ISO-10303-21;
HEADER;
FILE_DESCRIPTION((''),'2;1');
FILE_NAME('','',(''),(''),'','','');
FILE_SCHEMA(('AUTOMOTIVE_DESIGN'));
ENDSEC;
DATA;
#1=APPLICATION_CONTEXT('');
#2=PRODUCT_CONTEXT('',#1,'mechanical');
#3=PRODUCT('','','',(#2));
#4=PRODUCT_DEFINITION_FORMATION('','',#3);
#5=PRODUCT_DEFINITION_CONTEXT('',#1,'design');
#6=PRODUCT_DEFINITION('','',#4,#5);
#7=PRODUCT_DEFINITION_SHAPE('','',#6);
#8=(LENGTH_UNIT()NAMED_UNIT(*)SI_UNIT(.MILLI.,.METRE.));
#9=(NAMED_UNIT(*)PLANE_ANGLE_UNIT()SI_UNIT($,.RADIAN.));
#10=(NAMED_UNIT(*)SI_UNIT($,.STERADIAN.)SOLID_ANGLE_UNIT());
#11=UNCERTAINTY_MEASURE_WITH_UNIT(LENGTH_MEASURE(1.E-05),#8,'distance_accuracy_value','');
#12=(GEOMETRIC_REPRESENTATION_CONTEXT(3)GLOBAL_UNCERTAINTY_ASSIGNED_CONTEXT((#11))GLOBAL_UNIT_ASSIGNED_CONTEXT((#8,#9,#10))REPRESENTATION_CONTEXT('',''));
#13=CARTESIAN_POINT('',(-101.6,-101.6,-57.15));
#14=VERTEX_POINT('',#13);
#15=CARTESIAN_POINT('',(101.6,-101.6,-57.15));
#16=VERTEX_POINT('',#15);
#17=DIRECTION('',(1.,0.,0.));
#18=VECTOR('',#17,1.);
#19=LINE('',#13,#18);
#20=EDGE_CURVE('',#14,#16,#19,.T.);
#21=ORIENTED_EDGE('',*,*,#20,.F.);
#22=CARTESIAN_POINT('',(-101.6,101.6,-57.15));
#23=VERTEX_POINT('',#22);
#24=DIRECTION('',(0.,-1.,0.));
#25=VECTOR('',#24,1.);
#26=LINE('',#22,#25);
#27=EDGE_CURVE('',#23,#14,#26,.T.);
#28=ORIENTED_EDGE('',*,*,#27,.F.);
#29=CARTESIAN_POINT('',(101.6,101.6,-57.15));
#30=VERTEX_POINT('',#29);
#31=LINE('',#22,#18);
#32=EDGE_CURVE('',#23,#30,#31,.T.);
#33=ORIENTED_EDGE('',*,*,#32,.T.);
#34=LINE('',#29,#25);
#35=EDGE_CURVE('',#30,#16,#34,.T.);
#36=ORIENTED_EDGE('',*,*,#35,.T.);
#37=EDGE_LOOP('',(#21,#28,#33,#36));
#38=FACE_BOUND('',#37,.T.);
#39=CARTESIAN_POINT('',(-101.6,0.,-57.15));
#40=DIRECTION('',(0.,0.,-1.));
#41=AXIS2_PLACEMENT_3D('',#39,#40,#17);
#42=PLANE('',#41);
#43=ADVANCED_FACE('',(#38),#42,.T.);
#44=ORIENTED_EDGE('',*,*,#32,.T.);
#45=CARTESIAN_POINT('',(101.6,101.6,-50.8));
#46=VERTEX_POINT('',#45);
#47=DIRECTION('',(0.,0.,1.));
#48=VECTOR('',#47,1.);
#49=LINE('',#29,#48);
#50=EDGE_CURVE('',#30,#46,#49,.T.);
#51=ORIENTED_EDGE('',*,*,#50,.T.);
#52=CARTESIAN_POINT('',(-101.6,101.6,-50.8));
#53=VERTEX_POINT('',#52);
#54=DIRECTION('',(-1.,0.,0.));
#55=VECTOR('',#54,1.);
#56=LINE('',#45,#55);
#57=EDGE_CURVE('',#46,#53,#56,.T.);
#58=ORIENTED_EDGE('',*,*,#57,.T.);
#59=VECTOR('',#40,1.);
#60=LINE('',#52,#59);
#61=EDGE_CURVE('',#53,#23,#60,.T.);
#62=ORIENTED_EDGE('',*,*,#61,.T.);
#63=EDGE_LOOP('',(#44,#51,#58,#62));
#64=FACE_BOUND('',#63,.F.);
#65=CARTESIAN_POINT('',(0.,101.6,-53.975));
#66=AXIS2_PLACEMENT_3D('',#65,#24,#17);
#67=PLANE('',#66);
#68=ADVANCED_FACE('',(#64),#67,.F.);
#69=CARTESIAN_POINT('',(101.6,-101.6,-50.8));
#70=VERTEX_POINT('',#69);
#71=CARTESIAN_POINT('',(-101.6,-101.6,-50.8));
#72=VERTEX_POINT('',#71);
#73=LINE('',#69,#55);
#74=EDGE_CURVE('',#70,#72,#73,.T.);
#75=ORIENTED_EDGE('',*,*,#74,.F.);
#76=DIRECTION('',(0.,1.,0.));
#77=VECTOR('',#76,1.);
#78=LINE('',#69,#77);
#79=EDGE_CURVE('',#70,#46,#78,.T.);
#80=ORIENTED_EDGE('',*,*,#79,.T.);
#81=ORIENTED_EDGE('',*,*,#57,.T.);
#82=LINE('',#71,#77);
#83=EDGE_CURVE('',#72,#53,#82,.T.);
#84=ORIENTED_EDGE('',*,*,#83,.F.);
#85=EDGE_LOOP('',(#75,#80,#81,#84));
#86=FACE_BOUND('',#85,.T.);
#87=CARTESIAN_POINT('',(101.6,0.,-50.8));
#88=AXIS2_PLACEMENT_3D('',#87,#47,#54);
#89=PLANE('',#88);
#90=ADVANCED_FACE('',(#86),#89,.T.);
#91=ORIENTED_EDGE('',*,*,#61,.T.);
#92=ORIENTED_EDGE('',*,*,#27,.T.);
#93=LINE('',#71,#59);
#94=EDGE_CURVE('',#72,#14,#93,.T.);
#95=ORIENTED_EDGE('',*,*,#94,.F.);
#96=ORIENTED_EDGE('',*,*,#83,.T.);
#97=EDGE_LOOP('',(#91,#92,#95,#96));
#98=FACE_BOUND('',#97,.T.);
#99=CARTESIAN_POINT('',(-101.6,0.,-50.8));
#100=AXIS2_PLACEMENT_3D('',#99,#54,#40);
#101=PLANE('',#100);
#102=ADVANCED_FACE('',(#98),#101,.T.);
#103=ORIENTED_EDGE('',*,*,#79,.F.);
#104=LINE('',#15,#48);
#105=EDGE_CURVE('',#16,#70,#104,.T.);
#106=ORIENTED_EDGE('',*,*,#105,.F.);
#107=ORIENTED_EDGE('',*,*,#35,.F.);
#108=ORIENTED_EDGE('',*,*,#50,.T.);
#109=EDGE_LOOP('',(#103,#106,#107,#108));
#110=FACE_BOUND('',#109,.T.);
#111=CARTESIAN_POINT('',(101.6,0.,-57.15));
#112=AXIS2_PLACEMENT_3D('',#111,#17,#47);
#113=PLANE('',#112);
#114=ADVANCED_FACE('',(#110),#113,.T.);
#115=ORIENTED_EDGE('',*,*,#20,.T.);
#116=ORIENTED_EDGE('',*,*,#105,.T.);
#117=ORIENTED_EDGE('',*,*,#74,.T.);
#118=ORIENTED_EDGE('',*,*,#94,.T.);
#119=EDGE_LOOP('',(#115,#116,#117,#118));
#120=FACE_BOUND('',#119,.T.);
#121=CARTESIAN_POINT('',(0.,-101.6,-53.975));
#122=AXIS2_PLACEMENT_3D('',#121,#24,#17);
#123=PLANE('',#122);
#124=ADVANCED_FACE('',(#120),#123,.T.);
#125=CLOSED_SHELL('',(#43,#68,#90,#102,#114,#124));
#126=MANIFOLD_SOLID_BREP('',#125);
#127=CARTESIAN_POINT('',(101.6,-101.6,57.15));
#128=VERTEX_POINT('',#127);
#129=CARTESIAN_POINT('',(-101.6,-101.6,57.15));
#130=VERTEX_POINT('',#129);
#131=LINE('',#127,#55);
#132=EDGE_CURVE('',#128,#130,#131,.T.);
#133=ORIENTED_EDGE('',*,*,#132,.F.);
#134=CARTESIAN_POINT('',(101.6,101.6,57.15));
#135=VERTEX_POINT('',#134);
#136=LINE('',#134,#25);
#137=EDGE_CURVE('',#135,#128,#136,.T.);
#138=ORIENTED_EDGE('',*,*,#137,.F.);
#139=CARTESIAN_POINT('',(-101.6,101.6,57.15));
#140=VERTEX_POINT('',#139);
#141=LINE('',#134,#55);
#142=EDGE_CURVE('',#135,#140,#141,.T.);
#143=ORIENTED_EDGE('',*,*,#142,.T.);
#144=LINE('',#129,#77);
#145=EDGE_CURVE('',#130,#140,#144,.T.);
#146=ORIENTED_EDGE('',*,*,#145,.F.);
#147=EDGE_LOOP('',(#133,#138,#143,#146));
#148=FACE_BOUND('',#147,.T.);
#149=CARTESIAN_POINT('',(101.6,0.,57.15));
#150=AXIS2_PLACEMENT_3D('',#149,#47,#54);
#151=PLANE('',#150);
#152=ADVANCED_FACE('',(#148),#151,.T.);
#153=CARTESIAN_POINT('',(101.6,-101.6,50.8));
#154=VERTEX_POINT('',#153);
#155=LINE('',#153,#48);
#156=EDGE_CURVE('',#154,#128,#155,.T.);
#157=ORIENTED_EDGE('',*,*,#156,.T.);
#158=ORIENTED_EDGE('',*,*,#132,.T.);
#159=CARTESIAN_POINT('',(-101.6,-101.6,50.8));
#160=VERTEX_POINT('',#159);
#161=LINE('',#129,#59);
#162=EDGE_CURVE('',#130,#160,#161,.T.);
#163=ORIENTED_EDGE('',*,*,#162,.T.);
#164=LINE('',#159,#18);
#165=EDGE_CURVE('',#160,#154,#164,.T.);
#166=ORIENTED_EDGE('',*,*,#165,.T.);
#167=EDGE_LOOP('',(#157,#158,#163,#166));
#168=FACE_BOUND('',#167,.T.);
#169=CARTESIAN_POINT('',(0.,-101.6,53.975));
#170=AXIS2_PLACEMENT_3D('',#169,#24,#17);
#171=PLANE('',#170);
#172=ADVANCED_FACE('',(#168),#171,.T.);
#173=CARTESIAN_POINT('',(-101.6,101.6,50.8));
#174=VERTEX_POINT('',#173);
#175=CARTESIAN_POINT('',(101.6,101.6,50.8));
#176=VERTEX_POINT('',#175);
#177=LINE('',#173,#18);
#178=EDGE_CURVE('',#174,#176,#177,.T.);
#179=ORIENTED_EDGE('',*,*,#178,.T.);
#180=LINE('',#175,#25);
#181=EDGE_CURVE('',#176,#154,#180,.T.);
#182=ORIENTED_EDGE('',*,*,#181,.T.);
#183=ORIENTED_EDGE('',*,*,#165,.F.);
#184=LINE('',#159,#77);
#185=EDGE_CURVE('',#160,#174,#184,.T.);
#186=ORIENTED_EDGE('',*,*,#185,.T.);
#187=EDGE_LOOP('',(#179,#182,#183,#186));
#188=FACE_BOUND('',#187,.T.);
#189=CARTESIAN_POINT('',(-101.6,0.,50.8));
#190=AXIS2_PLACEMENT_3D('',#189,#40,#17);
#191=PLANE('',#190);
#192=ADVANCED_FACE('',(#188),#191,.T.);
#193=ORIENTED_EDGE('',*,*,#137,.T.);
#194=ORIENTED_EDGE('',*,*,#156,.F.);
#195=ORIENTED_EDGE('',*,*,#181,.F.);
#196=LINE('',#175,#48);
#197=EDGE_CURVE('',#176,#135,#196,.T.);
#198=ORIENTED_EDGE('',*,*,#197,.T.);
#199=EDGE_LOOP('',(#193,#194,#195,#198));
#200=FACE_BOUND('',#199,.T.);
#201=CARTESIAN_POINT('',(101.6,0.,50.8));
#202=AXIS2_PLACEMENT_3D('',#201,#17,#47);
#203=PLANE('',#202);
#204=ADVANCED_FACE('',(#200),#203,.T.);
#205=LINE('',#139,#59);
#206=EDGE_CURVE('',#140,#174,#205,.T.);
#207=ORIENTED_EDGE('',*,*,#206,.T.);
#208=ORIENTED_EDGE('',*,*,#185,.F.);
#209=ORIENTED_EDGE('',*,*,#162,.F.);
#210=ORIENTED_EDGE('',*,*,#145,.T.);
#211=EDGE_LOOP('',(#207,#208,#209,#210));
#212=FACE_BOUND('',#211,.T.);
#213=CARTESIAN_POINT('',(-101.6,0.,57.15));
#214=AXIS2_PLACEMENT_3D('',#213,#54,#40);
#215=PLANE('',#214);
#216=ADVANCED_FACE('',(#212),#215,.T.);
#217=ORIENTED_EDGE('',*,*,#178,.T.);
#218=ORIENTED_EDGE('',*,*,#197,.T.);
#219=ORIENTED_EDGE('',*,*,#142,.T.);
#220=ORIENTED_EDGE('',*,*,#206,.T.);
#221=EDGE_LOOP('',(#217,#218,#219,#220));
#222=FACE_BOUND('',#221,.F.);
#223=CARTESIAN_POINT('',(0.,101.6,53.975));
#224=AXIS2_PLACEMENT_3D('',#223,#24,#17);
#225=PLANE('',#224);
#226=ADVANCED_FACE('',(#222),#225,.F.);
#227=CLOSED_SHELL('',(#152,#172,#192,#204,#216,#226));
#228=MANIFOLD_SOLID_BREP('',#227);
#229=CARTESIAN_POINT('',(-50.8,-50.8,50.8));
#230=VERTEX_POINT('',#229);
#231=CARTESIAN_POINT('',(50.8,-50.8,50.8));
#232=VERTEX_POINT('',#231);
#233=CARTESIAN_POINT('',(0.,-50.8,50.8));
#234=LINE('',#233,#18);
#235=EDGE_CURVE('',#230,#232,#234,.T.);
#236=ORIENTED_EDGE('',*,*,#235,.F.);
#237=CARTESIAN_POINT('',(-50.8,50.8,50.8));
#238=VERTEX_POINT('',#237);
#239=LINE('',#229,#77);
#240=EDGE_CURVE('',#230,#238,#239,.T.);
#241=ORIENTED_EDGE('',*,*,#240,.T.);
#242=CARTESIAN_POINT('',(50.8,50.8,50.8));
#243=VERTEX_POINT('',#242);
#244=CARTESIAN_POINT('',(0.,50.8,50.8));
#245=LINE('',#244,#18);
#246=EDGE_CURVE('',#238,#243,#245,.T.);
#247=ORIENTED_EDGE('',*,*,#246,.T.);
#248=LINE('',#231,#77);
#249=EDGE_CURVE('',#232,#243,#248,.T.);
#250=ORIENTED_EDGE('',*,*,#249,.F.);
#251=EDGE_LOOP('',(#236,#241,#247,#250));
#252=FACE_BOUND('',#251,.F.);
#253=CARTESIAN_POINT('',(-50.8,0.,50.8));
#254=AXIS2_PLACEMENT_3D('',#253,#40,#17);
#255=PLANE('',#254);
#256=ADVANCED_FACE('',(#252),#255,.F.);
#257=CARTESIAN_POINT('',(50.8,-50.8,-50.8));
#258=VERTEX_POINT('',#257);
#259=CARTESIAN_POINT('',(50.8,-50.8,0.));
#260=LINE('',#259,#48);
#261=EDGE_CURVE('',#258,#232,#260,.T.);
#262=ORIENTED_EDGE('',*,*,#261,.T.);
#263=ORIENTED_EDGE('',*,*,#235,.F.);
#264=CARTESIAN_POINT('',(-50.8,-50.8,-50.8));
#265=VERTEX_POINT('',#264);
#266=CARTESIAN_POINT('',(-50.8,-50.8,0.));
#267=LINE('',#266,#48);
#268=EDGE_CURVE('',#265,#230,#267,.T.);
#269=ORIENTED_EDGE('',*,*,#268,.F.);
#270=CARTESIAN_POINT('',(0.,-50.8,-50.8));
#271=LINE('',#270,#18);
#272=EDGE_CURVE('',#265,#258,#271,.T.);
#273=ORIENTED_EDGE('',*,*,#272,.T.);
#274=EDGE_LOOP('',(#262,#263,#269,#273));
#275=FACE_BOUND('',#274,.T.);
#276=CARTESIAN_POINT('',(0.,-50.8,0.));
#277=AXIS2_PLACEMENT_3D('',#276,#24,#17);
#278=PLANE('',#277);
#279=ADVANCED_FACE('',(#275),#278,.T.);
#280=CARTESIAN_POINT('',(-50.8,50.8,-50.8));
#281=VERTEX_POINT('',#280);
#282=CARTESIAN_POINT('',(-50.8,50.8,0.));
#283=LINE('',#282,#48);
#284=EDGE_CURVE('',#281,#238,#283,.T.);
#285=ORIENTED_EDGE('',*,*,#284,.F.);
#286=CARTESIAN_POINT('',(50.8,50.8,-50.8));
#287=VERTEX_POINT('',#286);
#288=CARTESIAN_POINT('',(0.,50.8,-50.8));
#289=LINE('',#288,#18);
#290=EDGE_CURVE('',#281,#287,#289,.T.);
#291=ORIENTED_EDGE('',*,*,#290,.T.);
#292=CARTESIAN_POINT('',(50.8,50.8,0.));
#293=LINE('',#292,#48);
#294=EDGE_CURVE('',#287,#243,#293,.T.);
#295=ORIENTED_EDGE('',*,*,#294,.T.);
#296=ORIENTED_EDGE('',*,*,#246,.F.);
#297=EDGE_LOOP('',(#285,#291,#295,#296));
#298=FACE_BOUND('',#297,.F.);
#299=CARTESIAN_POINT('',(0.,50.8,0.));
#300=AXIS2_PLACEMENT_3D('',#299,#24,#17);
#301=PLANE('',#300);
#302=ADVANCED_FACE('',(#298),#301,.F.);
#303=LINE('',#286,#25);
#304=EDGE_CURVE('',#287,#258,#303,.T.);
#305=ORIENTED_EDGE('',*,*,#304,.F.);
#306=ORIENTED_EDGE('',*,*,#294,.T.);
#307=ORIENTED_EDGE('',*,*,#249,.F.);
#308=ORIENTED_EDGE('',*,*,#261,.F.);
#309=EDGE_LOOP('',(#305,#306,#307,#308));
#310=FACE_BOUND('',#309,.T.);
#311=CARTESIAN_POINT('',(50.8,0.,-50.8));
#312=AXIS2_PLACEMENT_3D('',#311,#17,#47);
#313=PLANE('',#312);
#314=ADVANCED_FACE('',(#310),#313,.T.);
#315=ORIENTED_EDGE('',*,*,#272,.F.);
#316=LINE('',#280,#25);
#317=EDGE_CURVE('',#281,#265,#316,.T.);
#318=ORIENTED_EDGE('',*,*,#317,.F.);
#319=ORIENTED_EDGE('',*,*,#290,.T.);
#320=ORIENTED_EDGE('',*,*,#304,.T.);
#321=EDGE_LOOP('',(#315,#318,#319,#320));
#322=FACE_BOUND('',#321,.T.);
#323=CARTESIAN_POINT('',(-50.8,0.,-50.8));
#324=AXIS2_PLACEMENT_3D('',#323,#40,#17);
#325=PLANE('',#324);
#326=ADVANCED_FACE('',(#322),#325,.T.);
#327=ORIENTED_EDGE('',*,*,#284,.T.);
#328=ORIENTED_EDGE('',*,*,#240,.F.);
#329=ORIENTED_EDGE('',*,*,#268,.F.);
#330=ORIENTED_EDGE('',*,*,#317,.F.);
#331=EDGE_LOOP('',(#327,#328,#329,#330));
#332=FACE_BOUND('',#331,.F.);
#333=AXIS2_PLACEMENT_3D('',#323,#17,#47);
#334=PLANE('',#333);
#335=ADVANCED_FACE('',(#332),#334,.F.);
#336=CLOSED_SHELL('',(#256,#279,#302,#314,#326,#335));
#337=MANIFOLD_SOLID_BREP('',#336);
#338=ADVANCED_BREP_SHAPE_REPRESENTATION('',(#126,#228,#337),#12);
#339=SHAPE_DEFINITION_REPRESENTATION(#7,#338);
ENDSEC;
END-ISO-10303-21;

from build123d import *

# Parameters (mm, degrees)
F1_DEPTH      = 101.6
F1_DEPTH_BACK = 101.6
F2_DEPTH      = 101.6
F2_DEPTH_BACK = 101.6
F0_W          = 101.6
F0_H          = 101.6
F3_DEPTH      = 50.8
F3_DEPTH_BACK = 50.8


with BuildPart() as f1:
    # F0 (on Front) → F1 (new body, two sides)
    with BuildSketch(Plane.XZ) as f1_sk:
        Polygon((-101.6, 50.8), (-50.8, 50.8), (50.8, 50.8), (101.6, 50.8), (101.6, 57.15), (-101.6, 57.15), align=None)
    extrude(amount=F1_DEPTH)
    extrude(f1_sk.sketch, amount=-F1_DEPTH_BACK)


with BuildPart() as f2:
    # F0 (on Front) → F2 (new body, two sides)
    with BuildSketch(Plane.XZ) as f2_sk:
        Polygon((50.8, -50.8), (-50.8, -50.8), (-101.6, -50.8), (-101.6, -57.15), (101.6, -57.15), (101.6, -50.8), align=None)
    extrude(amount=F2_DEPTH)
    extrude(f2_sk.sketch, amount=-F2_DEPTH_BACK)


with BuildPart() as f3:
    # F0 (on Front) → F3 (new body, two sides)
    with BuildSketch(Plane.XZ) as f3_sk:
        Rectangle(F0_W, F0_H)
    extrude(amount=F3_DEPTH)
    extrude(f3_sk.sketch, amount=-F3_DEPTH_BACK)


solid = Compound([f1.part, f2.part, f3.part])
